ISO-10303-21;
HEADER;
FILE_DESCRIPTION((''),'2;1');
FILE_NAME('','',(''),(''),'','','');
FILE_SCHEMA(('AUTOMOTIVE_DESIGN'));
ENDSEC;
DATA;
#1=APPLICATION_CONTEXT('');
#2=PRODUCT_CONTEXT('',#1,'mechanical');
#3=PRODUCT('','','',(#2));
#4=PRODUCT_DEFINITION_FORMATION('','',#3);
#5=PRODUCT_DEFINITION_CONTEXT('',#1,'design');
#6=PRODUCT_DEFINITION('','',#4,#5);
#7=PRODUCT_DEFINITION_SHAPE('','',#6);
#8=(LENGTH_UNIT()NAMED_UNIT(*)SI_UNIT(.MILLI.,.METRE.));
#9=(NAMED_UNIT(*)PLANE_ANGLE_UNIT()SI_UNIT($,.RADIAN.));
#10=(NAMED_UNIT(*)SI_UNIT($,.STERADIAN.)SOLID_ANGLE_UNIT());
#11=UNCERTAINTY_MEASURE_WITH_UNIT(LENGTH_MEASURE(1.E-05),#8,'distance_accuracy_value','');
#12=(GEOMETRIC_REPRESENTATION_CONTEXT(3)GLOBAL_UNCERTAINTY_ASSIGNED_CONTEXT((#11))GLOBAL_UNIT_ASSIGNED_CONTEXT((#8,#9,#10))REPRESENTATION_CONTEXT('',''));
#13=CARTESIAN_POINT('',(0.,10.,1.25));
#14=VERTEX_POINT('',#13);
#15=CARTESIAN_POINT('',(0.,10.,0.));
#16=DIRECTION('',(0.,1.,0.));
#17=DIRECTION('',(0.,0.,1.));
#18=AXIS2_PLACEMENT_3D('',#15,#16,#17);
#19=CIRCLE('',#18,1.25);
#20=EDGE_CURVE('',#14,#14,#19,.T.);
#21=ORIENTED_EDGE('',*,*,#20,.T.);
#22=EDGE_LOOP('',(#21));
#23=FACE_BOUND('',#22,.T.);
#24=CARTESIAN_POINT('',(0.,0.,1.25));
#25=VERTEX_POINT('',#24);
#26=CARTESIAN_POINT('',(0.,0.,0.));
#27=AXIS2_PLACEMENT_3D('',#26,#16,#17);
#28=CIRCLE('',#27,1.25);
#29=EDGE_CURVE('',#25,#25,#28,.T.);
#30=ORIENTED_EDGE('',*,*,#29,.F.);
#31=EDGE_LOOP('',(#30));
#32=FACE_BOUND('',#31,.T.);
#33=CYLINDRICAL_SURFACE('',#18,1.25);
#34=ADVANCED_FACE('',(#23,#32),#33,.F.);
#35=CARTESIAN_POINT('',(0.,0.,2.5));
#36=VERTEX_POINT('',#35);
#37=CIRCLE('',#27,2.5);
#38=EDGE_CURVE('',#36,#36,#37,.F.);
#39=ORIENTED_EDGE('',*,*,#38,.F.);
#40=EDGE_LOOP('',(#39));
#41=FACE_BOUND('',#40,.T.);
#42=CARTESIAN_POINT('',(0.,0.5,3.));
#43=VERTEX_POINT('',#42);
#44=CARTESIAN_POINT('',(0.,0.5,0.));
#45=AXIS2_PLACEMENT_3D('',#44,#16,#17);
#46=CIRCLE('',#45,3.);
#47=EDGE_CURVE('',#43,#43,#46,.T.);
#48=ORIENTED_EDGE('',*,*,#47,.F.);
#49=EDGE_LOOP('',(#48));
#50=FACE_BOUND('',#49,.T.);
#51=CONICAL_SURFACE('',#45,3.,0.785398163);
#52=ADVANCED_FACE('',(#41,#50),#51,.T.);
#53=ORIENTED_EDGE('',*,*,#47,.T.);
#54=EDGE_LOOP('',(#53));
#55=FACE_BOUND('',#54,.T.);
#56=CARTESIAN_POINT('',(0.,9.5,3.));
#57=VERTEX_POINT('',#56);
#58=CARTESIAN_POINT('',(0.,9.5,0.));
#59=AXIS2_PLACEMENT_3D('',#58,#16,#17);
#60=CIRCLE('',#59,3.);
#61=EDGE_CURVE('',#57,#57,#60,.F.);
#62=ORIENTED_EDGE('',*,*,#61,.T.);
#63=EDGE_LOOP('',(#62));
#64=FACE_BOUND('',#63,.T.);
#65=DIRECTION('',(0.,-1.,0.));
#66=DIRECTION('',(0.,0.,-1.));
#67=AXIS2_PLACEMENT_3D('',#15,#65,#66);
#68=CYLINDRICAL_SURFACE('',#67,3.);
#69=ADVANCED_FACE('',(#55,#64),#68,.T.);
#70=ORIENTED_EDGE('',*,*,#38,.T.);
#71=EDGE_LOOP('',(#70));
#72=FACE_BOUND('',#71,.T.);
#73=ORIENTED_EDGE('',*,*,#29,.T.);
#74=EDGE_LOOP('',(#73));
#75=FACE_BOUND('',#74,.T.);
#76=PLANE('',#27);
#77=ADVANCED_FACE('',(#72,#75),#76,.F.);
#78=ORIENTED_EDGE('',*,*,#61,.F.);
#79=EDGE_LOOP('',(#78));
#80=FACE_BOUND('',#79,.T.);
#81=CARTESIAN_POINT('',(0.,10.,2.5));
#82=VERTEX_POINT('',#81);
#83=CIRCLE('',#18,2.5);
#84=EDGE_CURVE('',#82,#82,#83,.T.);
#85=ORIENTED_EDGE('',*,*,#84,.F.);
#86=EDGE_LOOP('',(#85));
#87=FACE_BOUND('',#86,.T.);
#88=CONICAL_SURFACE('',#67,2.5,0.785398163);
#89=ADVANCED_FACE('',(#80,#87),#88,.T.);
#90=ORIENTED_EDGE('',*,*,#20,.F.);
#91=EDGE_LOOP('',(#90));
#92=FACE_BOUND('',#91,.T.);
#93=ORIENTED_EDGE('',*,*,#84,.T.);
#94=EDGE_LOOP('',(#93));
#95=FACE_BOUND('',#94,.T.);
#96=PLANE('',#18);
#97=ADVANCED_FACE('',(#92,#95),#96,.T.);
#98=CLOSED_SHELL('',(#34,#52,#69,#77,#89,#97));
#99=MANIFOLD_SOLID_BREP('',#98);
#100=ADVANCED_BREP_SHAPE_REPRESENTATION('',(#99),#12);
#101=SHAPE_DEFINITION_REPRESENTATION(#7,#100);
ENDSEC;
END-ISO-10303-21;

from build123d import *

# Parameters (mm, degrees)
SKETCH1_R             = 3
BOSS_EXTRUDE1_DEPTH   = 10
M3X0_5_TAPPED_HOLE1_D = 2.5
CHAMFER1_SIZE         = 0.5


with BuildPart() as part:
    # Sketch1 → Boss-Extrude1 (new body)
    with BuildSketch(Plane(origin=(0, 0, 0), x_dir=(1, 0, 0), z_dir=(0, 1, 0))):
        with Locations(Location((0, 0, 0), (0, 0, 270))):
            Circle(SKETCH1_R)
    extrude(amount=BOSS_EXTRUDE1_DEPTH)

    # M3x0.5 Tapped Hole1 (through all)
    with Locations(Plane(origin=(0, 10, 0), x_dir=(1, 0, 0), z_dir=(0, 1, 0))):
        with Locations((0, 0)):
            Hole(M3X0_5_TAPPED_HOLE1_D / 2)

    # Chamfer1
    chamfer1_edges = [part.edges().sort_by_distance(p)[0] for p in [
        (0, 0, -3),
        (0, 10, -3),
    ]]
    chamfer(chamfer1_edges, length=CHAMFER1_SIZE)


solid = part.part
